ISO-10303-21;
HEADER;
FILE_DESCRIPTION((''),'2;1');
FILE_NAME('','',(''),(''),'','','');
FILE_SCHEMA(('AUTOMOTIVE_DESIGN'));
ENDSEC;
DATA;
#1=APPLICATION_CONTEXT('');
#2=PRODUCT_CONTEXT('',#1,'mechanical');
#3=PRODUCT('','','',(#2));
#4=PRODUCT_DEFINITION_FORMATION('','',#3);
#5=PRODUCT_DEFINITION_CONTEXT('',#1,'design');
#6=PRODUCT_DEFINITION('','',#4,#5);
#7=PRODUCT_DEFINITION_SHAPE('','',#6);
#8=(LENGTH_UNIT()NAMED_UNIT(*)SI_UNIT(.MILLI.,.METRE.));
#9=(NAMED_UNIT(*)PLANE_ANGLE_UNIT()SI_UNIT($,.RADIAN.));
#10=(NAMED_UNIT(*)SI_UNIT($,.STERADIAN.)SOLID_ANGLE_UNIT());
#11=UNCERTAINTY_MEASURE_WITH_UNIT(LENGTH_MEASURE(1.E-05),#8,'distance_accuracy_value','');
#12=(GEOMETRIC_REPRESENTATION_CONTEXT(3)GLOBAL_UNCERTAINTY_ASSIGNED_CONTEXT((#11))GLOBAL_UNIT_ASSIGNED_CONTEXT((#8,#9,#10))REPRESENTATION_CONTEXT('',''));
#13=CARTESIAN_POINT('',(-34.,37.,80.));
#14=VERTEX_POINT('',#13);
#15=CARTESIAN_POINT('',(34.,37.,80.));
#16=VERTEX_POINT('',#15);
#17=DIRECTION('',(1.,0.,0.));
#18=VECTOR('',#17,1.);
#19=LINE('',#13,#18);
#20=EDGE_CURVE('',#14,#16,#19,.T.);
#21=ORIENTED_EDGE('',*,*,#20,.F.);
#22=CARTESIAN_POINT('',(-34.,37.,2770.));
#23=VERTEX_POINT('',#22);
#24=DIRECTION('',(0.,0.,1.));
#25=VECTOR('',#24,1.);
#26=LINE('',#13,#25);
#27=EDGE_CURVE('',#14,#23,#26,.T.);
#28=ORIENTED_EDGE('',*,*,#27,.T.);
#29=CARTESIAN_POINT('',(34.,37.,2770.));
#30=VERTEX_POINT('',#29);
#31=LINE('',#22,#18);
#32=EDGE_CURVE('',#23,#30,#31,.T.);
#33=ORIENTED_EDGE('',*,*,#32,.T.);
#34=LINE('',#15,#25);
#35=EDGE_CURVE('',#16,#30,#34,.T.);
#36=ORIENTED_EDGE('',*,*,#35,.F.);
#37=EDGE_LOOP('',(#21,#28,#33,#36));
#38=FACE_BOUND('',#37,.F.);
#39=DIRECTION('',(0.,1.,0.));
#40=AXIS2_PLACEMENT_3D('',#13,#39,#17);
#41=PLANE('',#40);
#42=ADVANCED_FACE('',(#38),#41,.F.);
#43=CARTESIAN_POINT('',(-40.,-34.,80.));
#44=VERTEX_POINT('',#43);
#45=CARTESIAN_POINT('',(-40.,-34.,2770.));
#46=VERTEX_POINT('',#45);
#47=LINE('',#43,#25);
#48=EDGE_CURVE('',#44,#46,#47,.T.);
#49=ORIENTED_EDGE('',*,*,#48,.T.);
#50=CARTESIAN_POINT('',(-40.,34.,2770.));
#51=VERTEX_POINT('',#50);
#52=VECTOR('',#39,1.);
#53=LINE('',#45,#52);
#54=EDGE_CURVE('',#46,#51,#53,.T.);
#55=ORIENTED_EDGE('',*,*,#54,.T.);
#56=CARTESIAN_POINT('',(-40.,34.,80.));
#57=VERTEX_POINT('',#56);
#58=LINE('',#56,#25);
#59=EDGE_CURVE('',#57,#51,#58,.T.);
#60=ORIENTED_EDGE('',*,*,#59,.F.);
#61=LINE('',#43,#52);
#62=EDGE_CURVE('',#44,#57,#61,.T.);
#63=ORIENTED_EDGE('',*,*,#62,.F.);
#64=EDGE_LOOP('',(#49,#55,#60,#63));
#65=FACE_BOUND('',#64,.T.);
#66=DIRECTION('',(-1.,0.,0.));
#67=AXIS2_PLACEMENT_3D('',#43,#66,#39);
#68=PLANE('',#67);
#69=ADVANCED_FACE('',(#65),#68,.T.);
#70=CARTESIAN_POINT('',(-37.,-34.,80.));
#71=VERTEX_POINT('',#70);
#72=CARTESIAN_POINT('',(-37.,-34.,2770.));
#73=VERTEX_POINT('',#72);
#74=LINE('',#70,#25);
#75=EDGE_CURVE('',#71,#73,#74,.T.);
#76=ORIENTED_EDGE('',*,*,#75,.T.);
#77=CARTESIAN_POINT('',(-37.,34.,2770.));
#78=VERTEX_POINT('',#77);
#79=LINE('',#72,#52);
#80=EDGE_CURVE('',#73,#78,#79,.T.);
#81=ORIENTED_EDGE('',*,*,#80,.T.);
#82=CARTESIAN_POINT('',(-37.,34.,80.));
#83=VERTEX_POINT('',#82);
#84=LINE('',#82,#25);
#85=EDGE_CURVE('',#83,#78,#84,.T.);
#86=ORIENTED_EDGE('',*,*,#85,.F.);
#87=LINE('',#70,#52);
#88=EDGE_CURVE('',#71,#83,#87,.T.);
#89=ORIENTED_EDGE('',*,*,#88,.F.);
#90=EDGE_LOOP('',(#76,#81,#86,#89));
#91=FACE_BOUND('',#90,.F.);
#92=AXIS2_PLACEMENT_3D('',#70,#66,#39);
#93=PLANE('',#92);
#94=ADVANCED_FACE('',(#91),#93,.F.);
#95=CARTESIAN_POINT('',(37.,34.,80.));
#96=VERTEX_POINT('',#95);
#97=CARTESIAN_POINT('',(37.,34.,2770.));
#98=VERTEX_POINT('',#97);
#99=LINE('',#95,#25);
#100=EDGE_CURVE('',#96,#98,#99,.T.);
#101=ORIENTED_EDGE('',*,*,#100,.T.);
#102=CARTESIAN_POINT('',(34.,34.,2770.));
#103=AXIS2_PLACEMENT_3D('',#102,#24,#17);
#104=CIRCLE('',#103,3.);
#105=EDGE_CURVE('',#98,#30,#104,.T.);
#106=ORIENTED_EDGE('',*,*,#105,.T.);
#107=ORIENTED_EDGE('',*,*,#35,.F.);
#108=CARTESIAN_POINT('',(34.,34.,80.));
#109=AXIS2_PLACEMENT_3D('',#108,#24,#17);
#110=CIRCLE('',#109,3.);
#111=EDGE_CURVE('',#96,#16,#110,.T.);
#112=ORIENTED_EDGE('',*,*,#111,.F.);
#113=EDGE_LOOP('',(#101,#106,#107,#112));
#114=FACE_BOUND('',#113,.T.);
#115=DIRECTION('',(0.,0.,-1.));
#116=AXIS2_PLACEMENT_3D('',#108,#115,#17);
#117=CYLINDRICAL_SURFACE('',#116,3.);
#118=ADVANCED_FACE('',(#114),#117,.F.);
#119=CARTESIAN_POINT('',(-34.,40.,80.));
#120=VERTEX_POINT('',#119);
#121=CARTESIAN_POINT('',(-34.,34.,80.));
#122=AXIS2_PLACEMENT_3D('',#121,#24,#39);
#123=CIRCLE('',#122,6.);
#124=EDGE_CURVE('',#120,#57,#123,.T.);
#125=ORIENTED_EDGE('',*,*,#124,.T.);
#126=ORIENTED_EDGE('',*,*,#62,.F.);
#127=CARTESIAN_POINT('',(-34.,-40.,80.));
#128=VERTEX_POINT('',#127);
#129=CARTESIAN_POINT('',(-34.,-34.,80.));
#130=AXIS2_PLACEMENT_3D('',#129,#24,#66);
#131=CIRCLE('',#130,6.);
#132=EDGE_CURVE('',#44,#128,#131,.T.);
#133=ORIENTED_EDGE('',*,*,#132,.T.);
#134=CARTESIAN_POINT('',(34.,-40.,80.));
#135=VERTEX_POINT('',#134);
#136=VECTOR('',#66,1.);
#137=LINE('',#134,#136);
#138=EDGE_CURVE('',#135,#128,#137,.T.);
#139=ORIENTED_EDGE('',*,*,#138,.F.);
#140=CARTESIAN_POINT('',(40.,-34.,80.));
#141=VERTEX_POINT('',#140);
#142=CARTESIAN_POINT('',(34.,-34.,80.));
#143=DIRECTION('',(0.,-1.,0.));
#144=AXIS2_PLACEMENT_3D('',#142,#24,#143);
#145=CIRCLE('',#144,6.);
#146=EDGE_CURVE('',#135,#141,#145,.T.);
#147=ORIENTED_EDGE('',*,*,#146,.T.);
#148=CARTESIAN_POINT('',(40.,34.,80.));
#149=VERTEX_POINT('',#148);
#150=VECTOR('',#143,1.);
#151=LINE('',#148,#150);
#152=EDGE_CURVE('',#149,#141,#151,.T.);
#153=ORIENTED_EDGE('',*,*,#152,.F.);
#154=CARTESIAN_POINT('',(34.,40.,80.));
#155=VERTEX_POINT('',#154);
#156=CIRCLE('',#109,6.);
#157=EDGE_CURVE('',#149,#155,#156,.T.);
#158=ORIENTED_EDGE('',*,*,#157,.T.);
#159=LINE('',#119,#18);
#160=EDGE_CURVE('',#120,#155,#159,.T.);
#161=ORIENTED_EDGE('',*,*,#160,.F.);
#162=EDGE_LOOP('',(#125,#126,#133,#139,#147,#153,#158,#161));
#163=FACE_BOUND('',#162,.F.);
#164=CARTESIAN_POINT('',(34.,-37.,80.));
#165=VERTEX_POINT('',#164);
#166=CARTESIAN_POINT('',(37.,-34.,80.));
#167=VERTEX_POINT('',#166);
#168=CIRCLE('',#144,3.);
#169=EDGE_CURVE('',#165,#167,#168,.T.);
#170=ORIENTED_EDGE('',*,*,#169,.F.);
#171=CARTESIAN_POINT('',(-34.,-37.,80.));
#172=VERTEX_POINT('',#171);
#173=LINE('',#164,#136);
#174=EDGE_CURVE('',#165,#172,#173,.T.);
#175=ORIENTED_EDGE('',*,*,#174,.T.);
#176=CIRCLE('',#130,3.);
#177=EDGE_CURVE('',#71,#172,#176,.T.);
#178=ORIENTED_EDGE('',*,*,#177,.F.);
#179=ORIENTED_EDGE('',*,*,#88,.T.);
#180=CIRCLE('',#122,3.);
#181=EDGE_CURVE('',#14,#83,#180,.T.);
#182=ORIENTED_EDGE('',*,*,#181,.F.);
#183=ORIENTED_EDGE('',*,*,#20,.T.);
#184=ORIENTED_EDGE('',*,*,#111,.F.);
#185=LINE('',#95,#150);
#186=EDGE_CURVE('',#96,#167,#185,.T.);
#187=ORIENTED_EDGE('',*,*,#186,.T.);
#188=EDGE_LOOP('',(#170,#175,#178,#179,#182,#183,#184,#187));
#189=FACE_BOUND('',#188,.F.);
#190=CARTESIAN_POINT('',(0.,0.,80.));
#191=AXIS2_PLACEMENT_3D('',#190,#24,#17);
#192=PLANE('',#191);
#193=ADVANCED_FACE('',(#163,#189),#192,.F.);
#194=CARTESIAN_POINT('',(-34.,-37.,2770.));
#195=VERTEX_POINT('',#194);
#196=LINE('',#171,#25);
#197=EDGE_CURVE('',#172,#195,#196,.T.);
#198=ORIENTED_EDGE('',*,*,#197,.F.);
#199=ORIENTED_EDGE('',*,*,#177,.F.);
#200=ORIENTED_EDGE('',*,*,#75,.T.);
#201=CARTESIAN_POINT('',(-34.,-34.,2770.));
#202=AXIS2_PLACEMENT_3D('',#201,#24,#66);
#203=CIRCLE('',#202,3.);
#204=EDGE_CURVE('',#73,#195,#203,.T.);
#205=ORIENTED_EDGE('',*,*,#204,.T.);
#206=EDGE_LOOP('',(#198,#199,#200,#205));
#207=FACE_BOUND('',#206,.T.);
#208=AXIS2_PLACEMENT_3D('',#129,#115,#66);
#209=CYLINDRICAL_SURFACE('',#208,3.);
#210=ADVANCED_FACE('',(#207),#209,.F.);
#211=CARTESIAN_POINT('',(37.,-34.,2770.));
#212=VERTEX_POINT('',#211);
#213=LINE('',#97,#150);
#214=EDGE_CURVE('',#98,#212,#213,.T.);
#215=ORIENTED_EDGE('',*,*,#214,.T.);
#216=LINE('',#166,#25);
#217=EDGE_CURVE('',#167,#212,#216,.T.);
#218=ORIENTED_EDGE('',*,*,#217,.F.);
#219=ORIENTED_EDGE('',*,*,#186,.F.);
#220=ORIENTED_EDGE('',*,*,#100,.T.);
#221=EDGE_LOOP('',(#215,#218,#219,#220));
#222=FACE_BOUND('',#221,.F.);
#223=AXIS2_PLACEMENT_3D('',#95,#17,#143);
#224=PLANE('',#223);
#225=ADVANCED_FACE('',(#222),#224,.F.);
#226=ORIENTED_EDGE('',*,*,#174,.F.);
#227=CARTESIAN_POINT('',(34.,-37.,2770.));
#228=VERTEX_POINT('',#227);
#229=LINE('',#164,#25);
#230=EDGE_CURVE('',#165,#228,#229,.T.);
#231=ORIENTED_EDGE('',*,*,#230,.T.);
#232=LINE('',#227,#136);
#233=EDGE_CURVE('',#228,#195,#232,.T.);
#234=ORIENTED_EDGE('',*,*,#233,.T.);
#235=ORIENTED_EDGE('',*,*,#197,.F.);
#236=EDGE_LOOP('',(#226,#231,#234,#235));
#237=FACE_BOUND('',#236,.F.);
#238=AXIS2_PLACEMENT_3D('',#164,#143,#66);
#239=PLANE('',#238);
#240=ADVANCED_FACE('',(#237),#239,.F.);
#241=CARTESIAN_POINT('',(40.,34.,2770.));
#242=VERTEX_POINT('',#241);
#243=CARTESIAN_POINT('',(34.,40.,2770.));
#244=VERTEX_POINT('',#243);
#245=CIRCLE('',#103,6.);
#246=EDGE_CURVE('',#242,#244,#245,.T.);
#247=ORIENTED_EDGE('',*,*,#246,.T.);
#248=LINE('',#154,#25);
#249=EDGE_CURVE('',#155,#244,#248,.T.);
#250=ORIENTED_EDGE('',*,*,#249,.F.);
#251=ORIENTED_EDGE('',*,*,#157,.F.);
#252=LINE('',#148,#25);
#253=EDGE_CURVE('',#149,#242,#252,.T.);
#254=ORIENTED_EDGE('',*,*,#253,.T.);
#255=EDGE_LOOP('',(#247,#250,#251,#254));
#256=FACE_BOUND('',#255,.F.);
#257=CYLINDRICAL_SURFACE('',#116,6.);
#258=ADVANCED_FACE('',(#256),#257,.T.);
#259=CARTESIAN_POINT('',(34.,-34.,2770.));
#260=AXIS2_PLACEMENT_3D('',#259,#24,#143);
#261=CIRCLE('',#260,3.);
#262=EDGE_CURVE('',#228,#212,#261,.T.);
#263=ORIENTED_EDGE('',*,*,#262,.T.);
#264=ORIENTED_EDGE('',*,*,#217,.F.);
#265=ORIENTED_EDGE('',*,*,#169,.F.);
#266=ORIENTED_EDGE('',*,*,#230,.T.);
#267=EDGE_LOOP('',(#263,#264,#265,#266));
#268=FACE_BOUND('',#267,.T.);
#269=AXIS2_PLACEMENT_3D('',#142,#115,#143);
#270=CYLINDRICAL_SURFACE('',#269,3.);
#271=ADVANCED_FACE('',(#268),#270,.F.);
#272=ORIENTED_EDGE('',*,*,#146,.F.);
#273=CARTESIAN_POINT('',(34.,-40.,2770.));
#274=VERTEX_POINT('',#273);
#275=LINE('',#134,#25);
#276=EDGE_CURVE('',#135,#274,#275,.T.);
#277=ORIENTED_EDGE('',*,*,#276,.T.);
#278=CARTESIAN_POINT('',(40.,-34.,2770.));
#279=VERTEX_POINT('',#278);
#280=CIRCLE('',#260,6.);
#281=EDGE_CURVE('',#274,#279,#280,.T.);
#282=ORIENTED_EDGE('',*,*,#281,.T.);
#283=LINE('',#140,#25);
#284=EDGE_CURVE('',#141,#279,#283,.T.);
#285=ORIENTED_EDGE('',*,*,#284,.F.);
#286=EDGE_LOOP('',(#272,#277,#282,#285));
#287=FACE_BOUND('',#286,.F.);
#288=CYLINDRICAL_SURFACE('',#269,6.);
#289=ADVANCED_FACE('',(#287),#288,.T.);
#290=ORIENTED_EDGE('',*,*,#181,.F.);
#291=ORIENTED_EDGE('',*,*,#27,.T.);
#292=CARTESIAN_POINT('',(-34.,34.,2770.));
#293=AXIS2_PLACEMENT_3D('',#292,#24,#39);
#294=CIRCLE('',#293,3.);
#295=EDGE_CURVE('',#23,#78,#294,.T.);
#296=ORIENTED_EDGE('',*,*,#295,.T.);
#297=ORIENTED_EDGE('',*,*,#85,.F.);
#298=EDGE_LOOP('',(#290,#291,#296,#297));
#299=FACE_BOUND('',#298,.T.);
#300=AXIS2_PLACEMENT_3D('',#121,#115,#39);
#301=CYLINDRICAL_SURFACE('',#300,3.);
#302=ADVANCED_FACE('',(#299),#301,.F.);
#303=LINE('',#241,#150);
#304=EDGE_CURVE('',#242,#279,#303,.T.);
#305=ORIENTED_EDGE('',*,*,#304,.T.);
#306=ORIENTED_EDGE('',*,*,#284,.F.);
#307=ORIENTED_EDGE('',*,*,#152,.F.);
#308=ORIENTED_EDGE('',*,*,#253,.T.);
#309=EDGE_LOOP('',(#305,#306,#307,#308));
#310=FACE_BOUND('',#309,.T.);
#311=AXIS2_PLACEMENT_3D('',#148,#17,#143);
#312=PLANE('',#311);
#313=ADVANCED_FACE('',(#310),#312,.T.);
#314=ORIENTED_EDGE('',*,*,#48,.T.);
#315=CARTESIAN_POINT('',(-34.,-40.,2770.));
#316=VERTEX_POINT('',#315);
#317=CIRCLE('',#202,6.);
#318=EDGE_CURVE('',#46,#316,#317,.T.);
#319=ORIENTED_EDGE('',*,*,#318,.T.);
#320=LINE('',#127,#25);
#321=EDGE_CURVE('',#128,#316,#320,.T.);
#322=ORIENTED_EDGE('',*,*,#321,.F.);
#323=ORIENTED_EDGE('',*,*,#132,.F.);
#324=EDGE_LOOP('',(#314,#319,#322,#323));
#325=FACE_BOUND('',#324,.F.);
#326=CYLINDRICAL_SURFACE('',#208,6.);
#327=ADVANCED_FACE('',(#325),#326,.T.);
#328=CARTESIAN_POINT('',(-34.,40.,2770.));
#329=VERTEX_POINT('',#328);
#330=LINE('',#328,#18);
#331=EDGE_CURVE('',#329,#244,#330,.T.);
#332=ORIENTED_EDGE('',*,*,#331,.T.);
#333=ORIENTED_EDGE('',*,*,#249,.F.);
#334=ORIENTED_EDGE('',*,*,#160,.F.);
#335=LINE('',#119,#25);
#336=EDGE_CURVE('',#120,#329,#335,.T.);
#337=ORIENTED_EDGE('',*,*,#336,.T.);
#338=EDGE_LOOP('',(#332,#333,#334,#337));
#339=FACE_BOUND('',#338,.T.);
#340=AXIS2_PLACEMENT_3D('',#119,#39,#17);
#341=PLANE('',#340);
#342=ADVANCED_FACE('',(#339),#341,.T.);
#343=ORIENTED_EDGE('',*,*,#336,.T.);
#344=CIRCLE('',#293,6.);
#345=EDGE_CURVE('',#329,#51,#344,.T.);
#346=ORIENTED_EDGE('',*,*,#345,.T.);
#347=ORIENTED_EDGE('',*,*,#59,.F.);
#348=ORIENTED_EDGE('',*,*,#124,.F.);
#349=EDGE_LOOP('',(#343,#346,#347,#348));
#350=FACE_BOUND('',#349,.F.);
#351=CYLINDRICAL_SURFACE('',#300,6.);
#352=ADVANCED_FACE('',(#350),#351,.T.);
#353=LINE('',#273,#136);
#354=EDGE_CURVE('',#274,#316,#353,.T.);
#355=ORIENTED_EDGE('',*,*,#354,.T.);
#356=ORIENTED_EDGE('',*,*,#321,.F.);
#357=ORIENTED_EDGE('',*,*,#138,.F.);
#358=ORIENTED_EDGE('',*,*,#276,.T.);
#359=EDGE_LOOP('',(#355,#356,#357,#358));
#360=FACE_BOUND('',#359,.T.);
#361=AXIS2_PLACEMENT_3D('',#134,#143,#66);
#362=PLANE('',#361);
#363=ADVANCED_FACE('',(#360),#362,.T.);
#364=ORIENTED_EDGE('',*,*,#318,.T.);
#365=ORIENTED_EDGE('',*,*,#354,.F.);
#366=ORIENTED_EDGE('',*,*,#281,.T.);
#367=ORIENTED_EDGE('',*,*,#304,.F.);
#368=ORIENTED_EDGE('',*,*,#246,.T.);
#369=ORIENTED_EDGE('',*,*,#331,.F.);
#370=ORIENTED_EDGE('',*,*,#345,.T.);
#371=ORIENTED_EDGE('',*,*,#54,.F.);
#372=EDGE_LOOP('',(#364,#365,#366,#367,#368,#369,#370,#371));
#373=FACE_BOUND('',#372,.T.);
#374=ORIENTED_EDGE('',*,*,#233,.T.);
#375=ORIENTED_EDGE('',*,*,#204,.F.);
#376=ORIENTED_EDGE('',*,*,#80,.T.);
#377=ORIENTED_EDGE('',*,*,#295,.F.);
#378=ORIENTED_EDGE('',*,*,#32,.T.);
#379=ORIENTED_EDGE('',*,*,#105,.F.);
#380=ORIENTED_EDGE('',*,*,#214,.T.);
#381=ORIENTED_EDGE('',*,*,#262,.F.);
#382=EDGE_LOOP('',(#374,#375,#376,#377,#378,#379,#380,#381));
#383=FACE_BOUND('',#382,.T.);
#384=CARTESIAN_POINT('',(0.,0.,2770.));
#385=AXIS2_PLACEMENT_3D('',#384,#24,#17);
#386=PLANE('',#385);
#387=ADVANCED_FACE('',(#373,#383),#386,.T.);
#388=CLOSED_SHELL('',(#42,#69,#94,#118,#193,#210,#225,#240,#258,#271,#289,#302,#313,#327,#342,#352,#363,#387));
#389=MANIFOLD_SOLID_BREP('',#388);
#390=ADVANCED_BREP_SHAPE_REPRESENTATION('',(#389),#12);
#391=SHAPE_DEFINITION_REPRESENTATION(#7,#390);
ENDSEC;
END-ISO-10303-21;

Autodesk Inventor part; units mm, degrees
ref_plane "YZ Plane" through (0, 0, 0) normal (1, 0, 0) x (0, 1, 0)
ref_plane "Start Plane" through (0, 0, 80) normal (0, 0, 1) x (1, 0, 0)
ref_plane "End Plane" through (0, 0, 2770) normal (0, 0, 1) x (1, 0, 0)
sketch "Sketch" plane through (0, 0, 0) normal (0, 0, 1) x (1, 0, 0)
  line L0 (-40, -34) -> (-40, 34)
  line L1 (-34, 40) -> (34, 40)
  line L2 (40, 34) -> (40, -34)
  line L3 (34, -40) -> (-34, -40)
  arc A0 (-40, -34) -> (-34, -40) centre (-34, -34) ccw
  arc A1 (40, 34) -> (34, 40) centre (34, 34) ccw
  arc A2 (-34, 40) -> (-40, 34) centre (-34, 34) ccw
  arc A3 (34, -40) -> (40, -34) centre (34, -34) ccw
  arc A4 (-34, 37) -> (-37, 34) centre (-34, 34) ccw
  line L4 (-34, 37) -> (34, 37)
  arc A5 (37, 34) -> (34, 37) centre (34, 34) ccw
  line L5 (37, 34) -> (37, -34)
  arc A6 (34, -37) -> (37, -34) centre (34, -34) ccw
  line L6 (34, -37) -> (-34, -37)
  arc A7 (-37, -34) -> (-34, -37) centre (-34, -34) ccw
  line L7 (-37, -34) -> (-37, 34)
  line L8 (0, 57.7397) -> (0, -57.7397) construction
  line L9 (-57.7397, 0) -> (57.7397, 0) construction
  dimension "d7" = 6
  dimension "d9" = 80
  dimension "d11" = 80
  dimension "d12" = 3
  dimension "d15" = 40
  dimension "d16" = 40
extrude "Body" add sketch "Sketch" along normal up to surface (2690 mm away) from surface at 80
sketch "Sketch3" plane through (0, 0, 0) normal (0, 0, 1) x (1, 0, 0)
  line L0 (0, 0) -> (10, 0)
ref_plane "Work Plane3" through (0, 0, 0) normal (0, -1, 0) x (1, 0, 0)
sketch "Sketch4" plane through (0, 0, 0) normal (0, -1, 0) x (1, 0, 0)
  line L0 (-2, 80) -> (12, 80) projected
  line L1 (-2, 2770) -> (12, 2770) projected
  dimension "d18" = 2690
equation "\"d7\" = G_IR"
equation "\"d9\" = G_W"
equation "\"d11\" = G_H"
equation "\"d12\" = G_T"
equation "\"d15\" = 0.5 * d9"
equation "\"d16\" = 0.5 * d11"
equation "\"d3\" = G_L"
equation "\"G_W\" = 80"
equation "\"G_H\" = 80"
equation "\"G_T\" = 3"
equation "\"G_IR\" = 6"
equation "\"G_L\" = d18"
properties part number "ISO 4019 - 80x80x3 - 2690" material "Steel, Mild"
